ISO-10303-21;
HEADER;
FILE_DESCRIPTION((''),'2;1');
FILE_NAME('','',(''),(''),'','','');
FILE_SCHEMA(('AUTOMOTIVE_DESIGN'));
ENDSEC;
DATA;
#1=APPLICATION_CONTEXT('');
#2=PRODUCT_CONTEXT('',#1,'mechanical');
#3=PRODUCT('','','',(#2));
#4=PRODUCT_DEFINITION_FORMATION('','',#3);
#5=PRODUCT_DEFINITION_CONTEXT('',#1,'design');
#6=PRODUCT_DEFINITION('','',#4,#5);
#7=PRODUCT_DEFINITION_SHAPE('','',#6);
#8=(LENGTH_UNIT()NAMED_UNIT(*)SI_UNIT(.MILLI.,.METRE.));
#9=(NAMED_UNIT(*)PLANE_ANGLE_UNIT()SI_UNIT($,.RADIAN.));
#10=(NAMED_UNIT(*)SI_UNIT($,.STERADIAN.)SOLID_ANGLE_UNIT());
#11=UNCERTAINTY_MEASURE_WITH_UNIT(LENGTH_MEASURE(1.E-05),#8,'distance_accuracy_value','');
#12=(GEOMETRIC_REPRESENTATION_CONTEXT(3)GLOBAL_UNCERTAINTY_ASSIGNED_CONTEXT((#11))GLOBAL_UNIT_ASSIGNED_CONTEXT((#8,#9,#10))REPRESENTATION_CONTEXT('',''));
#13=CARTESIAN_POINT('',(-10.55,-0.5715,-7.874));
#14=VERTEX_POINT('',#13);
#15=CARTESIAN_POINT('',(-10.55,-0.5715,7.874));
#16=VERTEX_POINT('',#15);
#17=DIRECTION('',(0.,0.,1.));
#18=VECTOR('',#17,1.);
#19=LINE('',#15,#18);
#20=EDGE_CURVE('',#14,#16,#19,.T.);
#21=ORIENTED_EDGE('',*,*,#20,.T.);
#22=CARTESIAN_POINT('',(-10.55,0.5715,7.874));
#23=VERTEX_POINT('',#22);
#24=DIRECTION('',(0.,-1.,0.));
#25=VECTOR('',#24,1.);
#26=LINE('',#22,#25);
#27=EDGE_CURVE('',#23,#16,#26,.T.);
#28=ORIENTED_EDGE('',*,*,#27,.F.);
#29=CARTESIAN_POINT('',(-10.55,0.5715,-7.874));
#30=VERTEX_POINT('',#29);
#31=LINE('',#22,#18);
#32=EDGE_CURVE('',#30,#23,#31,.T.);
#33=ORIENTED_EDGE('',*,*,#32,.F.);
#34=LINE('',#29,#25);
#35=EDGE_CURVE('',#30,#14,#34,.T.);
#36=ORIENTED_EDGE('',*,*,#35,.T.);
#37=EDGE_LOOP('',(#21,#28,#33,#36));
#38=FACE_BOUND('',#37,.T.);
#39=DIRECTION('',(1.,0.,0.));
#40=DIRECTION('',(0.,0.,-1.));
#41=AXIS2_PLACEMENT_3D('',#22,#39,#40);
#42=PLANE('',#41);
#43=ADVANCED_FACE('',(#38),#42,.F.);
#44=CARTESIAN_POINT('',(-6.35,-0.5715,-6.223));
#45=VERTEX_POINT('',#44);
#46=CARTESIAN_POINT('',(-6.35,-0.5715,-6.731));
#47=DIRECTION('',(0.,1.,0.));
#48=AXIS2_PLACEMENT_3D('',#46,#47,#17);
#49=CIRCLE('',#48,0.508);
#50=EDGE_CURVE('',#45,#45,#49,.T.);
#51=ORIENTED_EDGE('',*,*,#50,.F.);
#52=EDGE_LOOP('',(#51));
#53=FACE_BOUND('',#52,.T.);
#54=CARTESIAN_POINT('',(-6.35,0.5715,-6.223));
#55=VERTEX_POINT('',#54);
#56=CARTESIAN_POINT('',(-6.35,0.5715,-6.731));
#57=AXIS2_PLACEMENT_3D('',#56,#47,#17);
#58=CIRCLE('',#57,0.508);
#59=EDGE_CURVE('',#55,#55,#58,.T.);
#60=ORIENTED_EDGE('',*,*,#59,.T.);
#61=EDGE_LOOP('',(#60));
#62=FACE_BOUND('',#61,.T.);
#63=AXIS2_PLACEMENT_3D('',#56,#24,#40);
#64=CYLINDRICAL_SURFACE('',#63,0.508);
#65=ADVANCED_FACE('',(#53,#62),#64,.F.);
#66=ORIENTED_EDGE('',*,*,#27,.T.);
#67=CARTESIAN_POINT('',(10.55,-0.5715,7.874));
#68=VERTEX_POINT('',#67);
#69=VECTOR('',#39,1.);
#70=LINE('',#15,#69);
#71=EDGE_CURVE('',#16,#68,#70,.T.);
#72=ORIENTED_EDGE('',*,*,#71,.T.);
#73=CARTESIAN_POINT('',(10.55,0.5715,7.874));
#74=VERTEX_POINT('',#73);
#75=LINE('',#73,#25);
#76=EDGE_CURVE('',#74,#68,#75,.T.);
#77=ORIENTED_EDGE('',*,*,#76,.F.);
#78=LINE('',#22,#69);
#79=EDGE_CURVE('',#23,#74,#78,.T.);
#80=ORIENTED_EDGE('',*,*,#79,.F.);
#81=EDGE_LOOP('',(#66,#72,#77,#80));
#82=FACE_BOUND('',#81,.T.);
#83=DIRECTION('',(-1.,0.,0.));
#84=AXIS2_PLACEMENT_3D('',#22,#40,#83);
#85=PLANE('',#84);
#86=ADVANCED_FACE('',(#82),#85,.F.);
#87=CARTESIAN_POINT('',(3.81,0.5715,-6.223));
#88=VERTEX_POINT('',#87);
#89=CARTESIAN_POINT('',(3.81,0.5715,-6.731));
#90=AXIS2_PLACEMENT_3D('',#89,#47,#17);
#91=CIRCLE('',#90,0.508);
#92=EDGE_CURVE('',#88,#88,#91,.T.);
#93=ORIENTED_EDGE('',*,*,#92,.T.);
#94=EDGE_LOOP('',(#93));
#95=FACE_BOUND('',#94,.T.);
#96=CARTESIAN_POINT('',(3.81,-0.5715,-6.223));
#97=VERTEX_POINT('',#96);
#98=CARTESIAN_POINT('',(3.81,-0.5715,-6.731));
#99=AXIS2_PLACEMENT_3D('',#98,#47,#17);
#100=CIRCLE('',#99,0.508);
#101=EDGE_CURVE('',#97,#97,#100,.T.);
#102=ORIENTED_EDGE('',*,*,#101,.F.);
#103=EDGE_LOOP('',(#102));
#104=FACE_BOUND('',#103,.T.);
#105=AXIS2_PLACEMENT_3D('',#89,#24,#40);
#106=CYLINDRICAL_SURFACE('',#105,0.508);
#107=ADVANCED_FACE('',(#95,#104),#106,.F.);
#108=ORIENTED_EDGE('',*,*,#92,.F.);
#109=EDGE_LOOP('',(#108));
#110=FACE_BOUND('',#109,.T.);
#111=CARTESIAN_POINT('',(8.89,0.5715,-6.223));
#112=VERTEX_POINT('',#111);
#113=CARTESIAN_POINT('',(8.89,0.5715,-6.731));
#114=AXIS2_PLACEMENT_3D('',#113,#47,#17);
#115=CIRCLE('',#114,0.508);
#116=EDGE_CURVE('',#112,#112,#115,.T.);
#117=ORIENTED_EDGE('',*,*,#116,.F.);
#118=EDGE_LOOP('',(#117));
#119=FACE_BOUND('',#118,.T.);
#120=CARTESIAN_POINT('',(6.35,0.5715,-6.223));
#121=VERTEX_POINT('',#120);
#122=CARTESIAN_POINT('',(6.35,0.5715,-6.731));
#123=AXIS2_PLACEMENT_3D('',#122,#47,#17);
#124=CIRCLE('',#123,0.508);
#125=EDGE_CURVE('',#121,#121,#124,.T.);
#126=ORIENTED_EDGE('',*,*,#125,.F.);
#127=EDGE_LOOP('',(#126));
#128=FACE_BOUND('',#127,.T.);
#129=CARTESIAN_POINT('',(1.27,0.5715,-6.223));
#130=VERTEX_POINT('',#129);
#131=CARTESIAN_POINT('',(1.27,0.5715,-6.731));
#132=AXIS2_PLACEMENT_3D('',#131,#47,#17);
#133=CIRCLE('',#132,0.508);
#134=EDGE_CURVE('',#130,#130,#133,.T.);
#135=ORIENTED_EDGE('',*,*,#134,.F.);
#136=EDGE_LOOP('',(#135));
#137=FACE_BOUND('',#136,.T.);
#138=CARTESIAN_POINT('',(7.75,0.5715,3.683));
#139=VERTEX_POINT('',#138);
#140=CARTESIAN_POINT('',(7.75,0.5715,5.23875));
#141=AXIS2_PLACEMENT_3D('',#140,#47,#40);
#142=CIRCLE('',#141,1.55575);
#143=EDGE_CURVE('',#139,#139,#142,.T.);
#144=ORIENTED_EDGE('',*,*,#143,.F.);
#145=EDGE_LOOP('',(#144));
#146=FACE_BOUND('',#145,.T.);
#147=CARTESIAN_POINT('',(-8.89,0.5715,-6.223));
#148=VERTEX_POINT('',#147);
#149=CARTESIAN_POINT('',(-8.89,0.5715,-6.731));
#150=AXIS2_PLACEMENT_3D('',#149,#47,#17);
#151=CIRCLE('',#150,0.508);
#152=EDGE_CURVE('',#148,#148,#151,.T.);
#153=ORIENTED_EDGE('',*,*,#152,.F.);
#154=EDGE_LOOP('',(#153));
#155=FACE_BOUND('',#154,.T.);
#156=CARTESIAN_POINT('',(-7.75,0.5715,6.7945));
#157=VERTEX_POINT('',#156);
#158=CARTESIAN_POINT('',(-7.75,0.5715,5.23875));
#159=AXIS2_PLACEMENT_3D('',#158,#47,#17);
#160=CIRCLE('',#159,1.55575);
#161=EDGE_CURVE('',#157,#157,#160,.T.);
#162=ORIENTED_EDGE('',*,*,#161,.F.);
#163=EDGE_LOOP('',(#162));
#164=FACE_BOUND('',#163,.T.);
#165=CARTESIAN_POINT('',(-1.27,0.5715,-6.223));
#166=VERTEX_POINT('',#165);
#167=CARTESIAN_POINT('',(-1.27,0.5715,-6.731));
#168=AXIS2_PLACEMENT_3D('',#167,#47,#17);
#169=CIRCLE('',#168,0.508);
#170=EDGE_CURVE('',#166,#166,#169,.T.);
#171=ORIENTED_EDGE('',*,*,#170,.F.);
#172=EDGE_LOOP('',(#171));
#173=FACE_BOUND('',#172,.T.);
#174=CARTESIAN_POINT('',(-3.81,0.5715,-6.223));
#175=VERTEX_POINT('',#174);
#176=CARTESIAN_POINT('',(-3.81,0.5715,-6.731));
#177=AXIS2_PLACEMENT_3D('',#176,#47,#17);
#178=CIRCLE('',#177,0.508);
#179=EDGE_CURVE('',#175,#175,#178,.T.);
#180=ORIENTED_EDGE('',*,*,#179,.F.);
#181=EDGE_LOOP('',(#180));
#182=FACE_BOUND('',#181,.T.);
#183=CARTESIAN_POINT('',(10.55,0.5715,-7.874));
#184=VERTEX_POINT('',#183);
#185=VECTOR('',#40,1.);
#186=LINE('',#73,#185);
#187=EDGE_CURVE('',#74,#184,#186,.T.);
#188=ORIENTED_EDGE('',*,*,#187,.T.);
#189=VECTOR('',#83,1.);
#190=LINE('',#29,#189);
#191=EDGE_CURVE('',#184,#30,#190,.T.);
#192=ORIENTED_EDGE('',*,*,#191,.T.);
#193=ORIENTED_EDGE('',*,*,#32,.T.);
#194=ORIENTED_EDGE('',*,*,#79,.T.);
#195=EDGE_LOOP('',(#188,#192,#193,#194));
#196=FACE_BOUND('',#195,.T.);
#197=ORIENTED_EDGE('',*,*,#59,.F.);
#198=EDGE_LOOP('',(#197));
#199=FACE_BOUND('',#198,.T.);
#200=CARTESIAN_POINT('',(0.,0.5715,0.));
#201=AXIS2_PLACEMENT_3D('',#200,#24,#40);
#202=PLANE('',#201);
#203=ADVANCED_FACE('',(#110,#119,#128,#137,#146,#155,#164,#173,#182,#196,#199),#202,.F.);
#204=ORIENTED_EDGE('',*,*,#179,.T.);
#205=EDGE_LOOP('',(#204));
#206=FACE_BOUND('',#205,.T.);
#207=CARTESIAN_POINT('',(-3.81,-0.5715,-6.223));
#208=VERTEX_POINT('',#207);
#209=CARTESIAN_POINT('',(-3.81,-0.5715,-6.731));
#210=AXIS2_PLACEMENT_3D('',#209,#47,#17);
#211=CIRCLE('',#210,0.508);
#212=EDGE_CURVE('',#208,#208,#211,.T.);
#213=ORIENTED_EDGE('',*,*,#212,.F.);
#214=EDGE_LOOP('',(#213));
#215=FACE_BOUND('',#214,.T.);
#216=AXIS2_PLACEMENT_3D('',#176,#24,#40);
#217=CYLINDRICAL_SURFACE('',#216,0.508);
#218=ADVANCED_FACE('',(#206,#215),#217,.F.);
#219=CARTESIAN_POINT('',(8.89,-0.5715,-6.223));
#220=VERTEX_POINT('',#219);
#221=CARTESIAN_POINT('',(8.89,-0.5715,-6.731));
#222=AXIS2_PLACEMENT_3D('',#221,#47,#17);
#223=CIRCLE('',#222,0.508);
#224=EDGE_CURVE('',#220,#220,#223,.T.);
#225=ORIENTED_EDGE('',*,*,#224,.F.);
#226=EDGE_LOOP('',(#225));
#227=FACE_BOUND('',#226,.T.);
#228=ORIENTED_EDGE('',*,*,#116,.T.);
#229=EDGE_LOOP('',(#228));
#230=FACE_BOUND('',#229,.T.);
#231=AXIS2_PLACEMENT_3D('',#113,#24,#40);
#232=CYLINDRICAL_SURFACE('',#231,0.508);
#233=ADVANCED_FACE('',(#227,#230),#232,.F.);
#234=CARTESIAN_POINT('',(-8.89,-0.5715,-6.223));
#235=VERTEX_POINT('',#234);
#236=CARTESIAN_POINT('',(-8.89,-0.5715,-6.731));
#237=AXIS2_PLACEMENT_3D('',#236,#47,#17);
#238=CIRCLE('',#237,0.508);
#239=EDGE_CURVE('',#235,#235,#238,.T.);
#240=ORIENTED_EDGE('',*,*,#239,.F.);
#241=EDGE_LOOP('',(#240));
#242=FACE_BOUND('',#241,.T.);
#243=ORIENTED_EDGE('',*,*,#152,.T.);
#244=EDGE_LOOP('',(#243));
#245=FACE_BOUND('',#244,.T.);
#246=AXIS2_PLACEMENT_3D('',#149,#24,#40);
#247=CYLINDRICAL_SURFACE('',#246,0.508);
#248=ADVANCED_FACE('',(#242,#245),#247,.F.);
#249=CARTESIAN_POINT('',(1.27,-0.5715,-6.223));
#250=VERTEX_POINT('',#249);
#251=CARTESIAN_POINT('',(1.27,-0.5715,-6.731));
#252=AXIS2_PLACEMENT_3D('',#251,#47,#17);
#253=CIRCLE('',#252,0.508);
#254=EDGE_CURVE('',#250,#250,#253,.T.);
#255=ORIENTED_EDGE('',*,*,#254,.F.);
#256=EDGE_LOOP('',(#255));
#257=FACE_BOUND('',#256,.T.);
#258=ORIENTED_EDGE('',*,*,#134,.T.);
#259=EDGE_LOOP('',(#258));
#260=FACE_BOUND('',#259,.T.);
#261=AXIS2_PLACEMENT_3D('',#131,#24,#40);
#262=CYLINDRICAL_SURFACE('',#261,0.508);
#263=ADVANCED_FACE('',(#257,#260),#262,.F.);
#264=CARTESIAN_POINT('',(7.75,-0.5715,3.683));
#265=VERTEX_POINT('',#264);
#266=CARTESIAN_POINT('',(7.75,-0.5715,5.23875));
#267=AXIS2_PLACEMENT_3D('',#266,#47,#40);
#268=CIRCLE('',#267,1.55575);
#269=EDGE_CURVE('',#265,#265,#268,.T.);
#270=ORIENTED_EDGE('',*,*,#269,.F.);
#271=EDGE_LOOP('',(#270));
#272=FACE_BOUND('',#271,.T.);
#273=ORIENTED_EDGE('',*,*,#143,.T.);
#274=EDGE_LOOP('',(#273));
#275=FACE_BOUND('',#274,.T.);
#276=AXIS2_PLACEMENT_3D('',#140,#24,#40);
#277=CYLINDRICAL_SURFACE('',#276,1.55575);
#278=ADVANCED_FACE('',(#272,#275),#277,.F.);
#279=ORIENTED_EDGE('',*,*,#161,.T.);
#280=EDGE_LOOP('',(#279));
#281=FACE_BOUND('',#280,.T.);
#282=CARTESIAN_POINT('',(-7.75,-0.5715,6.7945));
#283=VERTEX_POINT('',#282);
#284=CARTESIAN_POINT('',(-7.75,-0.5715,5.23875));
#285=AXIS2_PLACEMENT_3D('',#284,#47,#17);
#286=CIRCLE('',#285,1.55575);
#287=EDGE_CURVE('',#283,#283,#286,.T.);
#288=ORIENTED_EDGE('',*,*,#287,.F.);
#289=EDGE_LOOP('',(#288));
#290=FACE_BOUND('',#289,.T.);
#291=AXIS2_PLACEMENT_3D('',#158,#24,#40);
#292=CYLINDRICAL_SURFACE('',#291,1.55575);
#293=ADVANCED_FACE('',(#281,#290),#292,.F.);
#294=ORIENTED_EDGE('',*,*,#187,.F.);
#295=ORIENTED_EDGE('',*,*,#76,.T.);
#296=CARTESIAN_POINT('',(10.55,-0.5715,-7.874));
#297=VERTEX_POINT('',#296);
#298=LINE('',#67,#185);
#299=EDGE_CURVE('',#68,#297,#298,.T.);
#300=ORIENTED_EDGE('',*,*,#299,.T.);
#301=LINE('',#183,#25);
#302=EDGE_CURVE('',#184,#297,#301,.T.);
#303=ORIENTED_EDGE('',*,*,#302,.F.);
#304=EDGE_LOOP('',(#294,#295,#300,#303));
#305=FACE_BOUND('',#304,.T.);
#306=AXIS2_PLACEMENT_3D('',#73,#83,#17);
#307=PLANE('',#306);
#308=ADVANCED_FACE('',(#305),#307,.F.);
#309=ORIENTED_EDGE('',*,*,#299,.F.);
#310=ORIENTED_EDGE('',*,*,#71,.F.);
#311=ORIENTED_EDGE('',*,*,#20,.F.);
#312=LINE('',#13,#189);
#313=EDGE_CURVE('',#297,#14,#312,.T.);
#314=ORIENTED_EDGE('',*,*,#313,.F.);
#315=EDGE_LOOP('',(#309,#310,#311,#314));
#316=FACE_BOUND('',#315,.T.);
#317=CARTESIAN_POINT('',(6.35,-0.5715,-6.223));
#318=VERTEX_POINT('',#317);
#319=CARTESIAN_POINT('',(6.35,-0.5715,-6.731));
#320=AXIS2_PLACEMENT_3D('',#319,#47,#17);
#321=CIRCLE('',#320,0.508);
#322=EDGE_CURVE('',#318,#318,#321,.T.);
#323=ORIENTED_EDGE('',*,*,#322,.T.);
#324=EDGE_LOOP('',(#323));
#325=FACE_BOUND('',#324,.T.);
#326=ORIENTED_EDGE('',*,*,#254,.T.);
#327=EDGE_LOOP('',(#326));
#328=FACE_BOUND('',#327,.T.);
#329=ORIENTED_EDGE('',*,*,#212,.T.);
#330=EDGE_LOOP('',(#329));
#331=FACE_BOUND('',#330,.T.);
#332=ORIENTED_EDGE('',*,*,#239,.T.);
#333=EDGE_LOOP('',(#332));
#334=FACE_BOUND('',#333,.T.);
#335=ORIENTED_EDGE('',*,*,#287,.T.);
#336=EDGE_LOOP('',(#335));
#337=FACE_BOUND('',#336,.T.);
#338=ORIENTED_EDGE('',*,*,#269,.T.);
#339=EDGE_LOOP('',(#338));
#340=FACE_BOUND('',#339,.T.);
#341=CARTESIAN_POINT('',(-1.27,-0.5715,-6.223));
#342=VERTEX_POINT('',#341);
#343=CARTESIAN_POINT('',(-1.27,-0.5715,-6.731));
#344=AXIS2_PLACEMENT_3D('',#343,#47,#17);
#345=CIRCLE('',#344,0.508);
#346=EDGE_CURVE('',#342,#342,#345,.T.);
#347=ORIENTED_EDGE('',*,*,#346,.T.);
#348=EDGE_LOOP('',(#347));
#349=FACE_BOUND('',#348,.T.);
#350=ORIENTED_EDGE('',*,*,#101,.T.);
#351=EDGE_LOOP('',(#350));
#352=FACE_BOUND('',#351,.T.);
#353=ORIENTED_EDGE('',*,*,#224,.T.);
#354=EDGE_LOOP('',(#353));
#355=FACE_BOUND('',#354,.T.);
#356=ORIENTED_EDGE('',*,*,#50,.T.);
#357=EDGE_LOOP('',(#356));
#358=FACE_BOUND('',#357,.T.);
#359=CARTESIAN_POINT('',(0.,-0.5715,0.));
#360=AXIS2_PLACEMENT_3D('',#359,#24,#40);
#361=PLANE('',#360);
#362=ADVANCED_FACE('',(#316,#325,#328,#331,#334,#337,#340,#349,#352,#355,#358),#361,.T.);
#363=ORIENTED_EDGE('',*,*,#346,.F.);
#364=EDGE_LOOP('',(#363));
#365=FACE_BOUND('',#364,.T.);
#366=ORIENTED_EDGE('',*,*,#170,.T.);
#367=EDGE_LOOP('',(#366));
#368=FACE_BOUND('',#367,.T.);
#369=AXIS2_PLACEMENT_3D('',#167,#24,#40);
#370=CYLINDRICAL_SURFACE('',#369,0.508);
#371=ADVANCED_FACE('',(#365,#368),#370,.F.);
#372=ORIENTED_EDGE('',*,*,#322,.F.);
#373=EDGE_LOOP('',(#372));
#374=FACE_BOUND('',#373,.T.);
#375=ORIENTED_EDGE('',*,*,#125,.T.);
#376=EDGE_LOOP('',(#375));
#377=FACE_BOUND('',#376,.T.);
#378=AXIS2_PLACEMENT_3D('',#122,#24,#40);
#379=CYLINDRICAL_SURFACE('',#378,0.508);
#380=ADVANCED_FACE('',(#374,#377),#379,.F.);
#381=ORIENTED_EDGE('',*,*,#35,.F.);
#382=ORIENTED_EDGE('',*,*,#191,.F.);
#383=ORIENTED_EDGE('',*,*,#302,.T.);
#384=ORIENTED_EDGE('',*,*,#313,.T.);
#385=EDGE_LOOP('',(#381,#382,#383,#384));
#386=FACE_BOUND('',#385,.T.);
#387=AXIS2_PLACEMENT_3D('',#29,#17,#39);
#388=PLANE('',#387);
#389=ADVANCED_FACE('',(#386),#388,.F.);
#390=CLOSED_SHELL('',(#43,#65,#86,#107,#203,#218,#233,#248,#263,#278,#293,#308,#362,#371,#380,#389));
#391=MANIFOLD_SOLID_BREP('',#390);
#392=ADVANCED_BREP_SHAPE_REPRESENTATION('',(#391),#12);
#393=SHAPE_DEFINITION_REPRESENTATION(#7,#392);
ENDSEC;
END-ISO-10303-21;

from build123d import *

# Parameters (mm, degrees)
SKETCH1_W           = 21.1
SKETCH1_H           = 15.748
SKETCH1_R           = 1.55575
SKETCH1_R_2         = 0.508
BOSS_EXTRUDE1_DEPTH = 0.5715


with BuildPart() as part:
    # Sketch1 → Boss-Extrude1 (new body, symmetric)
    with BuildSketch(Plane(origin=(0, 0, 0), x_dir=(1, 0, 0), z_dir=(0, 1, 0))):
        Rectangle(SKETCH1_W, SKETCH1_H)
        with Locations((-7.75, -5.23875)):
            Circle(SKETCH1_R, mode=Mode.SUBTRACT)
        with Locations((7.75, -5.23875)):
            Circle(SKETCH1_R, mode=Mode.SUBTRACT)
        with Locations((-8.89, 6.731)):
            Circle(SKETCH1_R_2, mode=Mode.SUBTRACT)
        with Locations((-6.35, 6.731)):
            Circle(SKETCH1_R_2, mode=Mode.SUBTRACT)
        with Locations((-3.81, 6.731)):
            Circle(SKETCH1_R_2, mode=Mode.SUBTRACT)
        with Locations((-1.27, 6.731)):
            Circle(SKETCH1_R_2, mode=Mode.SUBTRACT)
        with Locations((1.27, 6.731)):
            Circle(SKETCH1_R_2, mode=Mode.SUBTRACT)
        with Locations((3.81, 6.731)):
            Circle(SKETCH1_R_2, mode=Mode.SUBTRACT)
        with Locations((6.35, 6.731)):
            Circle(SKETCH1_R_2, mode=Mode.SUBTRACT)
        with Locations((8.89, 6.731)):
            Circle(SKETCH1_R_2, mode=Mode.SUBTRACT)
    extrude(amount=BOSS_EXTRUDE1_DEPTH, both=True)


solid = part.part
